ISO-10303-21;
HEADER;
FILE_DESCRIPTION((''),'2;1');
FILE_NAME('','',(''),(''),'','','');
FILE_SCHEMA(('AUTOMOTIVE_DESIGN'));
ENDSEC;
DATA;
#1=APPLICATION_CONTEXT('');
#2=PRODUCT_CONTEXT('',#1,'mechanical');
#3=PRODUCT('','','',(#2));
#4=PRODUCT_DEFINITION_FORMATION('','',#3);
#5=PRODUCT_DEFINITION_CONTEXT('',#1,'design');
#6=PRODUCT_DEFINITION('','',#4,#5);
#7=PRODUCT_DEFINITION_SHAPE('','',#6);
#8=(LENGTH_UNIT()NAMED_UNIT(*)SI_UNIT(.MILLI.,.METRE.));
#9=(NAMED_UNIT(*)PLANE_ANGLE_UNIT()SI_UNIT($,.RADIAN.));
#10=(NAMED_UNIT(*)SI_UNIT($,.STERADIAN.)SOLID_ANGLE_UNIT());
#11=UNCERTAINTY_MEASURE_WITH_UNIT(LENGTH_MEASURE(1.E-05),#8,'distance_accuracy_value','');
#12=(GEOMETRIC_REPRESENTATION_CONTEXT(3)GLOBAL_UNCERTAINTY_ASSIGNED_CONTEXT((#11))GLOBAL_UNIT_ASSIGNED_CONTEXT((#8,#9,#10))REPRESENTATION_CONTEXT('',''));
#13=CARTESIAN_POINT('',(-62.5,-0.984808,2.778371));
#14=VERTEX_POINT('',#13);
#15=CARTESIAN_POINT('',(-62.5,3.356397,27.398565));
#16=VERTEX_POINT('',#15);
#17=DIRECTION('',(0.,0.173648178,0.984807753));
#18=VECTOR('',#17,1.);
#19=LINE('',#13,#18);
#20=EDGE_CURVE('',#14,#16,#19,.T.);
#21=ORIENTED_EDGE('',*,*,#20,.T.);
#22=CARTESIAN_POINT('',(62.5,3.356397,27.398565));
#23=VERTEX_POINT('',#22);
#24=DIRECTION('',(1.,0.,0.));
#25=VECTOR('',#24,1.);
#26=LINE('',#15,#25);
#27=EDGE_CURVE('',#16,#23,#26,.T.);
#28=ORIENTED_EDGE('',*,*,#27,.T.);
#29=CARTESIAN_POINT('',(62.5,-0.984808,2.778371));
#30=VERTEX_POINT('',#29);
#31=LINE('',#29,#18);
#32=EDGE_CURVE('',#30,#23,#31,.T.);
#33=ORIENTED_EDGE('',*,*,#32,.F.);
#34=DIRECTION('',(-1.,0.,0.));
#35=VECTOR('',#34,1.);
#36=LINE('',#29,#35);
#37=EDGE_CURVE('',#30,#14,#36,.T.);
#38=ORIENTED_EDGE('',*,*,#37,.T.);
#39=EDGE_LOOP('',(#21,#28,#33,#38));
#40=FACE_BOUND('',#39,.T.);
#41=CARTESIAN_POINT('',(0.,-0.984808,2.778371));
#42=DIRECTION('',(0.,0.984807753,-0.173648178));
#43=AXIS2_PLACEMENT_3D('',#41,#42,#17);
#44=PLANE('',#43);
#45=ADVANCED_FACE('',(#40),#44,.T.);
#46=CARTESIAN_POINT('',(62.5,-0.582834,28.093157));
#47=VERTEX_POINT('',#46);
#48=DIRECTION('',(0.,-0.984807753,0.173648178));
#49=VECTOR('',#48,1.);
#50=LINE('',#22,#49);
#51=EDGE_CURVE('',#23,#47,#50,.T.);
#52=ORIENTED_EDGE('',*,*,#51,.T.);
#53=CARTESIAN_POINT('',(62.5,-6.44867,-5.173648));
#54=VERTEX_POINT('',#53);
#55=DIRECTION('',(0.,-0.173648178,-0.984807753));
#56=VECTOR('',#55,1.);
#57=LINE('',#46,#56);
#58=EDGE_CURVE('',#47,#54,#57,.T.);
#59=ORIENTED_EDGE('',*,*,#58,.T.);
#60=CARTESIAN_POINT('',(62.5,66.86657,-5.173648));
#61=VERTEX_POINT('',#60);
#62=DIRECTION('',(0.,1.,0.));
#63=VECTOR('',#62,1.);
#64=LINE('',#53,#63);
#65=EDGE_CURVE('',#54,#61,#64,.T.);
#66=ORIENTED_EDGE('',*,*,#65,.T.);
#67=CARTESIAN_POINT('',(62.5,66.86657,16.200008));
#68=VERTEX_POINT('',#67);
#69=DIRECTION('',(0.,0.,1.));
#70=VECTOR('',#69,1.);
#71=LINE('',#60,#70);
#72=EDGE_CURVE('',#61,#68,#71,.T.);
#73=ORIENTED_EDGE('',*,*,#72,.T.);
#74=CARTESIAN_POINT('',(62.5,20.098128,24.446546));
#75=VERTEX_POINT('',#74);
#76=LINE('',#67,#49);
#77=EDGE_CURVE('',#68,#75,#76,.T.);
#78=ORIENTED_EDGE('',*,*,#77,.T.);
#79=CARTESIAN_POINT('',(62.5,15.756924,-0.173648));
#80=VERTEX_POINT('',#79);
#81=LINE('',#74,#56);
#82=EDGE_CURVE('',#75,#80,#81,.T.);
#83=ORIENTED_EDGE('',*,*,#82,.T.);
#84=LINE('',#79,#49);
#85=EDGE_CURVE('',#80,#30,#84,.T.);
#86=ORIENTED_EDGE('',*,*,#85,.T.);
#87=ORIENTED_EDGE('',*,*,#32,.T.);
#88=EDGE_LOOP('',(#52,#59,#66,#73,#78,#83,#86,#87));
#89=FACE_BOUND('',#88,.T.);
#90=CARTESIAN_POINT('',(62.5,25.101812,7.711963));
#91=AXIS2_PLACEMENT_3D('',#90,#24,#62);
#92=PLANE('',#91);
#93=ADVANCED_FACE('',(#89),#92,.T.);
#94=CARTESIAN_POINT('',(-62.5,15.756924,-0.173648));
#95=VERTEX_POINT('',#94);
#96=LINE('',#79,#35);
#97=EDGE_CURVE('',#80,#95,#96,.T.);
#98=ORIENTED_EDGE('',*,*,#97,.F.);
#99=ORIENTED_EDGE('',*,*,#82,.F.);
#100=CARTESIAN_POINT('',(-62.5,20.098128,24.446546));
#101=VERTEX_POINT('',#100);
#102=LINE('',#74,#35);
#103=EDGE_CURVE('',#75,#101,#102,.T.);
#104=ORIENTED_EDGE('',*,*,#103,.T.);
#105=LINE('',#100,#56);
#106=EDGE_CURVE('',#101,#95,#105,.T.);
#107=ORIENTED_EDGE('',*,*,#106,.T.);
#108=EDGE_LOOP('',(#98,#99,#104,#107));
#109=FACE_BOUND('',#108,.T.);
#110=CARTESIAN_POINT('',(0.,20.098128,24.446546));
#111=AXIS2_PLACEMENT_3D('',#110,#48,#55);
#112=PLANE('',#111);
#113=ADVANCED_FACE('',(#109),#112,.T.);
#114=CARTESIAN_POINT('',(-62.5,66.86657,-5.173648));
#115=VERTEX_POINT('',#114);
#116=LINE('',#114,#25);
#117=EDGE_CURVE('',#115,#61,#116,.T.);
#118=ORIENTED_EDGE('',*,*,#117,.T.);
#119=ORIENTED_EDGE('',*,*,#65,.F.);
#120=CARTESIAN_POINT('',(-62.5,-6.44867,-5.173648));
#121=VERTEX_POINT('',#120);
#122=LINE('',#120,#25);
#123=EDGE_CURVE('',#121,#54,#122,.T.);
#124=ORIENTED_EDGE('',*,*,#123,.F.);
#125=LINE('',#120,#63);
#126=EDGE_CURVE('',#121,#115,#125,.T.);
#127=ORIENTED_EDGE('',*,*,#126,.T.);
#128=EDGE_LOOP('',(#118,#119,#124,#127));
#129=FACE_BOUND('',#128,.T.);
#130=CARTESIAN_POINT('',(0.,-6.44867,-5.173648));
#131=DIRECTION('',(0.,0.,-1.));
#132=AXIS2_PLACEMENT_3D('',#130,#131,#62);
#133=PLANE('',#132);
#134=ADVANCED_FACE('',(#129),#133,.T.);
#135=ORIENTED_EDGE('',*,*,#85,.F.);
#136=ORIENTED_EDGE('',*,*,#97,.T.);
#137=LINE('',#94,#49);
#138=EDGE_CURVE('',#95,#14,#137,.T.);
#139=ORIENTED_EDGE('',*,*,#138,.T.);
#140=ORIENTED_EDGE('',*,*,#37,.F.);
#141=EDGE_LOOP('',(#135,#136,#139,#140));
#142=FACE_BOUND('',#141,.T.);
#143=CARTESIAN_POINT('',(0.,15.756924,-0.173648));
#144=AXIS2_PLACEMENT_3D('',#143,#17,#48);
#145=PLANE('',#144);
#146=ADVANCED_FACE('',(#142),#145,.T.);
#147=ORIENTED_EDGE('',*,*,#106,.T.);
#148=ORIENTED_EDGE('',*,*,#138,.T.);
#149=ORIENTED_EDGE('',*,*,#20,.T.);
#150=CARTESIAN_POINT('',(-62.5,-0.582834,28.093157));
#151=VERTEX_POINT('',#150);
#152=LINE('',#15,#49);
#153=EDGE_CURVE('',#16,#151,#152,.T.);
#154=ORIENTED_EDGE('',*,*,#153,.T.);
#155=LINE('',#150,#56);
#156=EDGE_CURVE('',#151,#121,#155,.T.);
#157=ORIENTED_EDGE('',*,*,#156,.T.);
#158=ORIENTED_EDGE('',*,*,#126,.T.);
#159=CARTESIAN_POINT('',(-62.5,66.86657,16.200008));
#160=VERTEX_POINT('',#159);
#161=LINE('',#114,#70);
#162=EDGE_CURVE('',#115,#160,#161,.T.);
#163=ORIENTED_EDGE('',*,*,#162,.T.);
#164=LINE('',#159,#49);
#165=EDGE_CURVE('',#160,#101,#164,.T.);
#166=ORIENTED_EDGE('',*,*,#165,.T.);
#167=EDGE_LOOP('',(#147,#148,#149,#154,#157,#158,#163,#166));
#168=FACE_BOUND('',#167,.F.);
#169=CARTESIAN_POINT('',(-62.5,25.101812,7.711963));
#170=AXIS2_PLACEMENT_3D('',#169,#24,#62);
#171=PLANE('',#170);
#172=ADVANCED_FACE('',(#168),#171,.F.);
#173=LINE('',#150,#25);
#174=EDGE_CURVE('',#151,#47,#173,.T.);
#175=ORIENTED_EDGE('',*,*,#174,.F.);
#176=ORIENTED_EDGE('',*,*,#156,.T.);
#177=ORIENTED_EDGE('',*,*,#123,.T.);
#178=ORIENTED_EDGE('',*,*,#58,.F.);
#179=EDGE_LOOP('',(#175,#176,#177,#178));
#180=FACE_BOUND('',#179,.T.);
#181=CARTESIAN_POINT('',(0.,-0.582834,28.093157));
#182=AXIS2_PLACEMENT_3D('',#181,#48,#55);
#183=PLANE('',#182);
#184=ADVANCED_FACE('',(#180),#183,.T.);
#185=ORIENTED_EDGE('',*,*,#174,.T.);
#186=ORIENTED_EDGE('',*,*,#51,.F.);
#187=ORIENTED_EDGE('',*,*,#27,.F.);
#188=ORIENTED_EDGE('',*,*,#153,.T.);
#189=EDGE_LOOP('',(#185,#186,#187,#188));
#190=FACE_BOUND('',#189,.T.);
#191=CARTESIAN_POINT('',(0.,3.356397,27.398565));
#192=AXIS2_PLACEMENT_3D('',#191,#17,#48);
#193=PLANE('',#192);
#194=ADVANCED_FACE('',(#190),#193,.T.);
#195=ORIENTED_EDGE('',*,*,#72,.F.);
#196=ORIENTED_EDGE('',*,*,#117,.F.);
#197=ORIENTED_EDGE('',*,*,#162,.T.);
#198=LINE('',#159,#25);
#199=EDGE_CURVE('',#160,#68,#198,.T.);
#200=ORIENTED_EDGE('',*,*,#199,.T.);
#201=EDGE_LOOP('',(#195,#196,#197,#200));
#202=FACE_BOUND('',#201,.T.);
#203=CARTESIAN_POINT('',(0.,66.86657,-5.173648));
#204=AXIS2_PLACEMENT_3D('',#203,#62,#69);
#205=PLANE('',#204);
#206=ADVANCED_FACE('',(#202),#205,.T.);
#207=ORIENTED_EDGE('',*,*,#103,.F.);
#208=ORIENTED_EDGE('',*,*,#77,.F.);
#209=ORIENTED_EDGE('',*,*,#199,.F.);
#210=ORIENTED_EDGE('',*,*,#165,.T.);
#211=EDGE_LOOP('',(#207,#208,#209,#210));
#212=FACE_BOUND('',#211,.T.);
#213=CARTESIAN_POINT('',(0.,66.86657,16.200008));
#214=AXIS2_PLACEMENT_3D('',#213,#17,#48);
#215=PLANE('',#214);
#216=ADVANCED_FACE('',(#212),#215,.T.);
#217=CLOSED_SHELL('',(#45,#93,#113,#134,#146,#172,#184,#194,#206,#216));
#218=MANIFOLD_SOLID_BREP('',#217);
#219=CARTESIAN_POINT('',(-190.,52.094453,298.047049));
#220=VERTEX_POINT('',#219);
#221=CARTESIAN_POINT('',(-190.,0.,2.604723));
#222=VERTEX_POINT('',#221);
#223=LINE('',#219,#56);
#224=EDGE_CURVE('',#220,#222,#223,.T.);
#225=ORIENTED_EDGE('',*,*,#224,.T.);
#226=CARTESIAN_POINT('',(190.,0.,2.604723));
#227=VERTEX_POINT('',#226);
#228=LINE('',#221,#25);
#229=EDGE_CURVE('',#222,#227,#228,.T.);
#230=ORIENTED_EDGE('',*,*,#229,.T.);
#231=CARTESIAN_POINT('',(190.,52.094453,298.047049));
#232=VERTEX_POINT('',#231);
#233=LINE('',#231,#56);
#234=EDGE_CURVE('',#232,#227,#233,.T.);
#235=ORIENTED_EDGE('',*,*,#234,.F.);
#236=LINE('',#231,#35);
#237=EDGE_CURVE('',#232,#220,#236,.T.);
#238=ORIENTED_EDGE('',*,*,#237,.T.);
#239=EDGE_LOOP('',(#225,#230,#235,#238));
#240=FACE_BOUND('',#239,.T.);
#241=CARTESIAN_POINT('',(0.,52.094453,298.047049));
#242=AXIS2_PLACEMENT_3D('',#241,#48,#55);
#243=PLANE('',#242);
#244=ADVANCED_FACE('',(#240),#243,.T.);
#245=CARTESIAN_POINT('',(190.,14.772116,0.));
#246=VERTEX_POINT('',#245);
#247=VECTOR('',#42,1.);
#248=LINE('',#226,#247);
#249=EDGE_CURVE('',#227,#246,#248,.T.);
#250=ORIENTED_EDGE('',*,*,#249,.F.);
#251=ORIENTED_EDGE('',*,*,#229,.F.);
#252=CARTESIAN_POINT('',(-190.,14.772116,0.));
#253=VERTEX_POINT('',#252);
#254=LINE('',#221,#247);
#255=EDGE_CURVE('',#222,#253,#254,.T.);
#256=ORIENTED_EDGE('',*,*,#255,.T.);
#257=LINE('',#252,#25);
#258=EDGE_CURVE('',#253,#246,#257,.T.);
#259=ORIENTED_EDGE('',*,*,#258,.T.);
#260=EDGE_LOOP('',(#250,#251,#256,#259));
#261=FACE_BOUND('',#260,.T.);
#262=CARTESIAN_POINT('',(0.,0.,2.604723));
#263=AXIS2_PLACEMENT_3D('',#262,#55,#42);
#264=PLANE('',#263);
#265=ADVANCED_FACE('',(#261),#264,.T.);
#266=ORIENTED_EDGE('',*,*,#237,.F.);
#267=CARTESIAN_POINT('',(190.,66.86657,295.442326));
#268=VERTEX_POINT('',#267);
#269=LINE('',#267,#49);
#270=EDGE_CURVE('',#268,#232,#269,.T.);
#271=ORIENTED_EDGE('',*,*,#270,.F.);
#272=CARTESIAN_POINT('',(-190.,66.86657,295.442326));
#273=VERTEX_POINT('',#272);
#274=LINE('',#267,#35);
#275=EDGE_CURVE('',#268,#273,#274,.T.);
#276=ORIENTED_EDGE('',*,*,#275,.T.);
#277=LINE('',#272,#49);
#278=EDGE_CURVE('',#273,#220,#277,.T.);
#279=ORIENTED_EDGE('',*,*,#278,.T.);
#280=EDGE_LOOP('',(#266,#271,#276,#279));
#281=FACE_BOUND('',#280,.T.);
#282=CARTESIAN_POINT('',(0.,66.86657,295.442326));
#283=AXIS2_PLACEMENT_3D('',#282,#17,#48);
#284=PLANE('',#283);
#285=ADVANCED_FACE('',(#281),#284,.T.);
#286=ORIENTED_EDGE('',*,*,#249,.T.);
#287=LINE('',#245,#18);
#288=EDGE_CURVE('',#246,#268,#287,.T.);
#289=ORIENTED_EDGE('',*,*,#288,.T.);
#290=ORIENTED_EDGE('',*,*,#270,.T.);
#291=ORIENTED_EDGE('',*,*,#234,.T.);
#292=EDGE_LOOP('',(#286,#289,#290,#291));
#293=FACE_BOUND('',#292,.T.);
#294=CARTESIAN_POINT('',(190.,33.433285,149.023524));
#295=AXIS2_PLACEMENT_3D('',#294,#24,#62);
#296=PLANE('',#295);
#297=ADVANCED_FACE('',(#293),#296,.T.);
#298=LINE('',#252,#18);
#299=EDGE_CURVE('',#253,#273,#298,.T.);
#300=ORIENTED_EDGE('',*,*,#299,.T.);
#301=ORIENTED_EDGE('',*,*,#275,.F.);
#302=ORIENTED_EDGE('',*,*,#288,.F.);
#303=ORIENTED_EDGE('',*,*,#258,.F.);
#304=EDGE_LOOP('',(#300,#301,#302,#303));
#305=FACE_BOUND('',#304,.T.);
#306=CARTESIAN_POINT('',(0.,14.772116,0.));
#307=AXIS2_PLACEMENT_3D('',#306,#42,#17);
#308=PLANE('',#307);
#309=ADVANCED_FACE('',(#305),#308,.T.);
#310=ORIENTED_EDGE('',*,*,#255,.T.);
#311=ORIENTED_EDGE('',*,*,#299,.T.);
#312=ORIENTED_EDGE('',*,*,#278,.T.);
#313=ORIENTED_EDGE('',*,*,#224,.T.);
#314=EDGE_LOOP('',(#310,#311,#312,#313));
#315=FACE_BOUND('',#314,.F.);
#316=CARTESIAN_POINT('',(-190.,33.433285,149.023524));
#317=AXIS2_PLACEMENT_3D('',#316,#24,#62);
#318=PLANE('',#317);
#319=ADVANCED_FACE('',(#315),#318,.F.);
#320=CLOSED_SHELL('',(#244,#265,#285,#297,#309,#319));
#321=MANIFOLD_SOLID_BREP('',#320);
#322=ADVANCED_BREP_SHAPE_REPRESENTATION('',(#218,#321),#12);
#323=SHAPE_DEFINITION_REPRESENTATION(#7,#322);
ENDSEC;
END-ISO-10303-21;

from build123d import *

# Parameters (mm, degrees)
F1_DEPTH = 190
F3_DEPTH = 62.5


with BuildPart() as f1:
    # F0 (on Right) → F1 (new body, symmetric)
    with BuildSketch(Plane.YZ):
        Polygon((52.0944533001, 298.0470485687), (0, 2.604722665), (14.7721162952, 0), (66.8665695953, 295.4423259037), align=None)
    extrude(amount=F1_DEPTH, both=True)


with BuildPart() as f3:
    # F2 (on Right) → F3 (new body, symmetric)
    with BuildSketch(Plane.YZ):
        Polygon((-0.984807753, 2.7783708427), (3.3563966887, 27.398564668), (-0.5828343234, 28.0931573786), (-6.4486697049, -5.1736481777), (66.8665695953, -5.1736481777), (66.8665695953, 16.2000076351), (20.0981284899, 24.4465456476), (15.7569240482, -0.1736481777), align=None)
    extrude(amount=F3_DEPTH, both=True)


solid = Compound([f1.part, f3.part])
